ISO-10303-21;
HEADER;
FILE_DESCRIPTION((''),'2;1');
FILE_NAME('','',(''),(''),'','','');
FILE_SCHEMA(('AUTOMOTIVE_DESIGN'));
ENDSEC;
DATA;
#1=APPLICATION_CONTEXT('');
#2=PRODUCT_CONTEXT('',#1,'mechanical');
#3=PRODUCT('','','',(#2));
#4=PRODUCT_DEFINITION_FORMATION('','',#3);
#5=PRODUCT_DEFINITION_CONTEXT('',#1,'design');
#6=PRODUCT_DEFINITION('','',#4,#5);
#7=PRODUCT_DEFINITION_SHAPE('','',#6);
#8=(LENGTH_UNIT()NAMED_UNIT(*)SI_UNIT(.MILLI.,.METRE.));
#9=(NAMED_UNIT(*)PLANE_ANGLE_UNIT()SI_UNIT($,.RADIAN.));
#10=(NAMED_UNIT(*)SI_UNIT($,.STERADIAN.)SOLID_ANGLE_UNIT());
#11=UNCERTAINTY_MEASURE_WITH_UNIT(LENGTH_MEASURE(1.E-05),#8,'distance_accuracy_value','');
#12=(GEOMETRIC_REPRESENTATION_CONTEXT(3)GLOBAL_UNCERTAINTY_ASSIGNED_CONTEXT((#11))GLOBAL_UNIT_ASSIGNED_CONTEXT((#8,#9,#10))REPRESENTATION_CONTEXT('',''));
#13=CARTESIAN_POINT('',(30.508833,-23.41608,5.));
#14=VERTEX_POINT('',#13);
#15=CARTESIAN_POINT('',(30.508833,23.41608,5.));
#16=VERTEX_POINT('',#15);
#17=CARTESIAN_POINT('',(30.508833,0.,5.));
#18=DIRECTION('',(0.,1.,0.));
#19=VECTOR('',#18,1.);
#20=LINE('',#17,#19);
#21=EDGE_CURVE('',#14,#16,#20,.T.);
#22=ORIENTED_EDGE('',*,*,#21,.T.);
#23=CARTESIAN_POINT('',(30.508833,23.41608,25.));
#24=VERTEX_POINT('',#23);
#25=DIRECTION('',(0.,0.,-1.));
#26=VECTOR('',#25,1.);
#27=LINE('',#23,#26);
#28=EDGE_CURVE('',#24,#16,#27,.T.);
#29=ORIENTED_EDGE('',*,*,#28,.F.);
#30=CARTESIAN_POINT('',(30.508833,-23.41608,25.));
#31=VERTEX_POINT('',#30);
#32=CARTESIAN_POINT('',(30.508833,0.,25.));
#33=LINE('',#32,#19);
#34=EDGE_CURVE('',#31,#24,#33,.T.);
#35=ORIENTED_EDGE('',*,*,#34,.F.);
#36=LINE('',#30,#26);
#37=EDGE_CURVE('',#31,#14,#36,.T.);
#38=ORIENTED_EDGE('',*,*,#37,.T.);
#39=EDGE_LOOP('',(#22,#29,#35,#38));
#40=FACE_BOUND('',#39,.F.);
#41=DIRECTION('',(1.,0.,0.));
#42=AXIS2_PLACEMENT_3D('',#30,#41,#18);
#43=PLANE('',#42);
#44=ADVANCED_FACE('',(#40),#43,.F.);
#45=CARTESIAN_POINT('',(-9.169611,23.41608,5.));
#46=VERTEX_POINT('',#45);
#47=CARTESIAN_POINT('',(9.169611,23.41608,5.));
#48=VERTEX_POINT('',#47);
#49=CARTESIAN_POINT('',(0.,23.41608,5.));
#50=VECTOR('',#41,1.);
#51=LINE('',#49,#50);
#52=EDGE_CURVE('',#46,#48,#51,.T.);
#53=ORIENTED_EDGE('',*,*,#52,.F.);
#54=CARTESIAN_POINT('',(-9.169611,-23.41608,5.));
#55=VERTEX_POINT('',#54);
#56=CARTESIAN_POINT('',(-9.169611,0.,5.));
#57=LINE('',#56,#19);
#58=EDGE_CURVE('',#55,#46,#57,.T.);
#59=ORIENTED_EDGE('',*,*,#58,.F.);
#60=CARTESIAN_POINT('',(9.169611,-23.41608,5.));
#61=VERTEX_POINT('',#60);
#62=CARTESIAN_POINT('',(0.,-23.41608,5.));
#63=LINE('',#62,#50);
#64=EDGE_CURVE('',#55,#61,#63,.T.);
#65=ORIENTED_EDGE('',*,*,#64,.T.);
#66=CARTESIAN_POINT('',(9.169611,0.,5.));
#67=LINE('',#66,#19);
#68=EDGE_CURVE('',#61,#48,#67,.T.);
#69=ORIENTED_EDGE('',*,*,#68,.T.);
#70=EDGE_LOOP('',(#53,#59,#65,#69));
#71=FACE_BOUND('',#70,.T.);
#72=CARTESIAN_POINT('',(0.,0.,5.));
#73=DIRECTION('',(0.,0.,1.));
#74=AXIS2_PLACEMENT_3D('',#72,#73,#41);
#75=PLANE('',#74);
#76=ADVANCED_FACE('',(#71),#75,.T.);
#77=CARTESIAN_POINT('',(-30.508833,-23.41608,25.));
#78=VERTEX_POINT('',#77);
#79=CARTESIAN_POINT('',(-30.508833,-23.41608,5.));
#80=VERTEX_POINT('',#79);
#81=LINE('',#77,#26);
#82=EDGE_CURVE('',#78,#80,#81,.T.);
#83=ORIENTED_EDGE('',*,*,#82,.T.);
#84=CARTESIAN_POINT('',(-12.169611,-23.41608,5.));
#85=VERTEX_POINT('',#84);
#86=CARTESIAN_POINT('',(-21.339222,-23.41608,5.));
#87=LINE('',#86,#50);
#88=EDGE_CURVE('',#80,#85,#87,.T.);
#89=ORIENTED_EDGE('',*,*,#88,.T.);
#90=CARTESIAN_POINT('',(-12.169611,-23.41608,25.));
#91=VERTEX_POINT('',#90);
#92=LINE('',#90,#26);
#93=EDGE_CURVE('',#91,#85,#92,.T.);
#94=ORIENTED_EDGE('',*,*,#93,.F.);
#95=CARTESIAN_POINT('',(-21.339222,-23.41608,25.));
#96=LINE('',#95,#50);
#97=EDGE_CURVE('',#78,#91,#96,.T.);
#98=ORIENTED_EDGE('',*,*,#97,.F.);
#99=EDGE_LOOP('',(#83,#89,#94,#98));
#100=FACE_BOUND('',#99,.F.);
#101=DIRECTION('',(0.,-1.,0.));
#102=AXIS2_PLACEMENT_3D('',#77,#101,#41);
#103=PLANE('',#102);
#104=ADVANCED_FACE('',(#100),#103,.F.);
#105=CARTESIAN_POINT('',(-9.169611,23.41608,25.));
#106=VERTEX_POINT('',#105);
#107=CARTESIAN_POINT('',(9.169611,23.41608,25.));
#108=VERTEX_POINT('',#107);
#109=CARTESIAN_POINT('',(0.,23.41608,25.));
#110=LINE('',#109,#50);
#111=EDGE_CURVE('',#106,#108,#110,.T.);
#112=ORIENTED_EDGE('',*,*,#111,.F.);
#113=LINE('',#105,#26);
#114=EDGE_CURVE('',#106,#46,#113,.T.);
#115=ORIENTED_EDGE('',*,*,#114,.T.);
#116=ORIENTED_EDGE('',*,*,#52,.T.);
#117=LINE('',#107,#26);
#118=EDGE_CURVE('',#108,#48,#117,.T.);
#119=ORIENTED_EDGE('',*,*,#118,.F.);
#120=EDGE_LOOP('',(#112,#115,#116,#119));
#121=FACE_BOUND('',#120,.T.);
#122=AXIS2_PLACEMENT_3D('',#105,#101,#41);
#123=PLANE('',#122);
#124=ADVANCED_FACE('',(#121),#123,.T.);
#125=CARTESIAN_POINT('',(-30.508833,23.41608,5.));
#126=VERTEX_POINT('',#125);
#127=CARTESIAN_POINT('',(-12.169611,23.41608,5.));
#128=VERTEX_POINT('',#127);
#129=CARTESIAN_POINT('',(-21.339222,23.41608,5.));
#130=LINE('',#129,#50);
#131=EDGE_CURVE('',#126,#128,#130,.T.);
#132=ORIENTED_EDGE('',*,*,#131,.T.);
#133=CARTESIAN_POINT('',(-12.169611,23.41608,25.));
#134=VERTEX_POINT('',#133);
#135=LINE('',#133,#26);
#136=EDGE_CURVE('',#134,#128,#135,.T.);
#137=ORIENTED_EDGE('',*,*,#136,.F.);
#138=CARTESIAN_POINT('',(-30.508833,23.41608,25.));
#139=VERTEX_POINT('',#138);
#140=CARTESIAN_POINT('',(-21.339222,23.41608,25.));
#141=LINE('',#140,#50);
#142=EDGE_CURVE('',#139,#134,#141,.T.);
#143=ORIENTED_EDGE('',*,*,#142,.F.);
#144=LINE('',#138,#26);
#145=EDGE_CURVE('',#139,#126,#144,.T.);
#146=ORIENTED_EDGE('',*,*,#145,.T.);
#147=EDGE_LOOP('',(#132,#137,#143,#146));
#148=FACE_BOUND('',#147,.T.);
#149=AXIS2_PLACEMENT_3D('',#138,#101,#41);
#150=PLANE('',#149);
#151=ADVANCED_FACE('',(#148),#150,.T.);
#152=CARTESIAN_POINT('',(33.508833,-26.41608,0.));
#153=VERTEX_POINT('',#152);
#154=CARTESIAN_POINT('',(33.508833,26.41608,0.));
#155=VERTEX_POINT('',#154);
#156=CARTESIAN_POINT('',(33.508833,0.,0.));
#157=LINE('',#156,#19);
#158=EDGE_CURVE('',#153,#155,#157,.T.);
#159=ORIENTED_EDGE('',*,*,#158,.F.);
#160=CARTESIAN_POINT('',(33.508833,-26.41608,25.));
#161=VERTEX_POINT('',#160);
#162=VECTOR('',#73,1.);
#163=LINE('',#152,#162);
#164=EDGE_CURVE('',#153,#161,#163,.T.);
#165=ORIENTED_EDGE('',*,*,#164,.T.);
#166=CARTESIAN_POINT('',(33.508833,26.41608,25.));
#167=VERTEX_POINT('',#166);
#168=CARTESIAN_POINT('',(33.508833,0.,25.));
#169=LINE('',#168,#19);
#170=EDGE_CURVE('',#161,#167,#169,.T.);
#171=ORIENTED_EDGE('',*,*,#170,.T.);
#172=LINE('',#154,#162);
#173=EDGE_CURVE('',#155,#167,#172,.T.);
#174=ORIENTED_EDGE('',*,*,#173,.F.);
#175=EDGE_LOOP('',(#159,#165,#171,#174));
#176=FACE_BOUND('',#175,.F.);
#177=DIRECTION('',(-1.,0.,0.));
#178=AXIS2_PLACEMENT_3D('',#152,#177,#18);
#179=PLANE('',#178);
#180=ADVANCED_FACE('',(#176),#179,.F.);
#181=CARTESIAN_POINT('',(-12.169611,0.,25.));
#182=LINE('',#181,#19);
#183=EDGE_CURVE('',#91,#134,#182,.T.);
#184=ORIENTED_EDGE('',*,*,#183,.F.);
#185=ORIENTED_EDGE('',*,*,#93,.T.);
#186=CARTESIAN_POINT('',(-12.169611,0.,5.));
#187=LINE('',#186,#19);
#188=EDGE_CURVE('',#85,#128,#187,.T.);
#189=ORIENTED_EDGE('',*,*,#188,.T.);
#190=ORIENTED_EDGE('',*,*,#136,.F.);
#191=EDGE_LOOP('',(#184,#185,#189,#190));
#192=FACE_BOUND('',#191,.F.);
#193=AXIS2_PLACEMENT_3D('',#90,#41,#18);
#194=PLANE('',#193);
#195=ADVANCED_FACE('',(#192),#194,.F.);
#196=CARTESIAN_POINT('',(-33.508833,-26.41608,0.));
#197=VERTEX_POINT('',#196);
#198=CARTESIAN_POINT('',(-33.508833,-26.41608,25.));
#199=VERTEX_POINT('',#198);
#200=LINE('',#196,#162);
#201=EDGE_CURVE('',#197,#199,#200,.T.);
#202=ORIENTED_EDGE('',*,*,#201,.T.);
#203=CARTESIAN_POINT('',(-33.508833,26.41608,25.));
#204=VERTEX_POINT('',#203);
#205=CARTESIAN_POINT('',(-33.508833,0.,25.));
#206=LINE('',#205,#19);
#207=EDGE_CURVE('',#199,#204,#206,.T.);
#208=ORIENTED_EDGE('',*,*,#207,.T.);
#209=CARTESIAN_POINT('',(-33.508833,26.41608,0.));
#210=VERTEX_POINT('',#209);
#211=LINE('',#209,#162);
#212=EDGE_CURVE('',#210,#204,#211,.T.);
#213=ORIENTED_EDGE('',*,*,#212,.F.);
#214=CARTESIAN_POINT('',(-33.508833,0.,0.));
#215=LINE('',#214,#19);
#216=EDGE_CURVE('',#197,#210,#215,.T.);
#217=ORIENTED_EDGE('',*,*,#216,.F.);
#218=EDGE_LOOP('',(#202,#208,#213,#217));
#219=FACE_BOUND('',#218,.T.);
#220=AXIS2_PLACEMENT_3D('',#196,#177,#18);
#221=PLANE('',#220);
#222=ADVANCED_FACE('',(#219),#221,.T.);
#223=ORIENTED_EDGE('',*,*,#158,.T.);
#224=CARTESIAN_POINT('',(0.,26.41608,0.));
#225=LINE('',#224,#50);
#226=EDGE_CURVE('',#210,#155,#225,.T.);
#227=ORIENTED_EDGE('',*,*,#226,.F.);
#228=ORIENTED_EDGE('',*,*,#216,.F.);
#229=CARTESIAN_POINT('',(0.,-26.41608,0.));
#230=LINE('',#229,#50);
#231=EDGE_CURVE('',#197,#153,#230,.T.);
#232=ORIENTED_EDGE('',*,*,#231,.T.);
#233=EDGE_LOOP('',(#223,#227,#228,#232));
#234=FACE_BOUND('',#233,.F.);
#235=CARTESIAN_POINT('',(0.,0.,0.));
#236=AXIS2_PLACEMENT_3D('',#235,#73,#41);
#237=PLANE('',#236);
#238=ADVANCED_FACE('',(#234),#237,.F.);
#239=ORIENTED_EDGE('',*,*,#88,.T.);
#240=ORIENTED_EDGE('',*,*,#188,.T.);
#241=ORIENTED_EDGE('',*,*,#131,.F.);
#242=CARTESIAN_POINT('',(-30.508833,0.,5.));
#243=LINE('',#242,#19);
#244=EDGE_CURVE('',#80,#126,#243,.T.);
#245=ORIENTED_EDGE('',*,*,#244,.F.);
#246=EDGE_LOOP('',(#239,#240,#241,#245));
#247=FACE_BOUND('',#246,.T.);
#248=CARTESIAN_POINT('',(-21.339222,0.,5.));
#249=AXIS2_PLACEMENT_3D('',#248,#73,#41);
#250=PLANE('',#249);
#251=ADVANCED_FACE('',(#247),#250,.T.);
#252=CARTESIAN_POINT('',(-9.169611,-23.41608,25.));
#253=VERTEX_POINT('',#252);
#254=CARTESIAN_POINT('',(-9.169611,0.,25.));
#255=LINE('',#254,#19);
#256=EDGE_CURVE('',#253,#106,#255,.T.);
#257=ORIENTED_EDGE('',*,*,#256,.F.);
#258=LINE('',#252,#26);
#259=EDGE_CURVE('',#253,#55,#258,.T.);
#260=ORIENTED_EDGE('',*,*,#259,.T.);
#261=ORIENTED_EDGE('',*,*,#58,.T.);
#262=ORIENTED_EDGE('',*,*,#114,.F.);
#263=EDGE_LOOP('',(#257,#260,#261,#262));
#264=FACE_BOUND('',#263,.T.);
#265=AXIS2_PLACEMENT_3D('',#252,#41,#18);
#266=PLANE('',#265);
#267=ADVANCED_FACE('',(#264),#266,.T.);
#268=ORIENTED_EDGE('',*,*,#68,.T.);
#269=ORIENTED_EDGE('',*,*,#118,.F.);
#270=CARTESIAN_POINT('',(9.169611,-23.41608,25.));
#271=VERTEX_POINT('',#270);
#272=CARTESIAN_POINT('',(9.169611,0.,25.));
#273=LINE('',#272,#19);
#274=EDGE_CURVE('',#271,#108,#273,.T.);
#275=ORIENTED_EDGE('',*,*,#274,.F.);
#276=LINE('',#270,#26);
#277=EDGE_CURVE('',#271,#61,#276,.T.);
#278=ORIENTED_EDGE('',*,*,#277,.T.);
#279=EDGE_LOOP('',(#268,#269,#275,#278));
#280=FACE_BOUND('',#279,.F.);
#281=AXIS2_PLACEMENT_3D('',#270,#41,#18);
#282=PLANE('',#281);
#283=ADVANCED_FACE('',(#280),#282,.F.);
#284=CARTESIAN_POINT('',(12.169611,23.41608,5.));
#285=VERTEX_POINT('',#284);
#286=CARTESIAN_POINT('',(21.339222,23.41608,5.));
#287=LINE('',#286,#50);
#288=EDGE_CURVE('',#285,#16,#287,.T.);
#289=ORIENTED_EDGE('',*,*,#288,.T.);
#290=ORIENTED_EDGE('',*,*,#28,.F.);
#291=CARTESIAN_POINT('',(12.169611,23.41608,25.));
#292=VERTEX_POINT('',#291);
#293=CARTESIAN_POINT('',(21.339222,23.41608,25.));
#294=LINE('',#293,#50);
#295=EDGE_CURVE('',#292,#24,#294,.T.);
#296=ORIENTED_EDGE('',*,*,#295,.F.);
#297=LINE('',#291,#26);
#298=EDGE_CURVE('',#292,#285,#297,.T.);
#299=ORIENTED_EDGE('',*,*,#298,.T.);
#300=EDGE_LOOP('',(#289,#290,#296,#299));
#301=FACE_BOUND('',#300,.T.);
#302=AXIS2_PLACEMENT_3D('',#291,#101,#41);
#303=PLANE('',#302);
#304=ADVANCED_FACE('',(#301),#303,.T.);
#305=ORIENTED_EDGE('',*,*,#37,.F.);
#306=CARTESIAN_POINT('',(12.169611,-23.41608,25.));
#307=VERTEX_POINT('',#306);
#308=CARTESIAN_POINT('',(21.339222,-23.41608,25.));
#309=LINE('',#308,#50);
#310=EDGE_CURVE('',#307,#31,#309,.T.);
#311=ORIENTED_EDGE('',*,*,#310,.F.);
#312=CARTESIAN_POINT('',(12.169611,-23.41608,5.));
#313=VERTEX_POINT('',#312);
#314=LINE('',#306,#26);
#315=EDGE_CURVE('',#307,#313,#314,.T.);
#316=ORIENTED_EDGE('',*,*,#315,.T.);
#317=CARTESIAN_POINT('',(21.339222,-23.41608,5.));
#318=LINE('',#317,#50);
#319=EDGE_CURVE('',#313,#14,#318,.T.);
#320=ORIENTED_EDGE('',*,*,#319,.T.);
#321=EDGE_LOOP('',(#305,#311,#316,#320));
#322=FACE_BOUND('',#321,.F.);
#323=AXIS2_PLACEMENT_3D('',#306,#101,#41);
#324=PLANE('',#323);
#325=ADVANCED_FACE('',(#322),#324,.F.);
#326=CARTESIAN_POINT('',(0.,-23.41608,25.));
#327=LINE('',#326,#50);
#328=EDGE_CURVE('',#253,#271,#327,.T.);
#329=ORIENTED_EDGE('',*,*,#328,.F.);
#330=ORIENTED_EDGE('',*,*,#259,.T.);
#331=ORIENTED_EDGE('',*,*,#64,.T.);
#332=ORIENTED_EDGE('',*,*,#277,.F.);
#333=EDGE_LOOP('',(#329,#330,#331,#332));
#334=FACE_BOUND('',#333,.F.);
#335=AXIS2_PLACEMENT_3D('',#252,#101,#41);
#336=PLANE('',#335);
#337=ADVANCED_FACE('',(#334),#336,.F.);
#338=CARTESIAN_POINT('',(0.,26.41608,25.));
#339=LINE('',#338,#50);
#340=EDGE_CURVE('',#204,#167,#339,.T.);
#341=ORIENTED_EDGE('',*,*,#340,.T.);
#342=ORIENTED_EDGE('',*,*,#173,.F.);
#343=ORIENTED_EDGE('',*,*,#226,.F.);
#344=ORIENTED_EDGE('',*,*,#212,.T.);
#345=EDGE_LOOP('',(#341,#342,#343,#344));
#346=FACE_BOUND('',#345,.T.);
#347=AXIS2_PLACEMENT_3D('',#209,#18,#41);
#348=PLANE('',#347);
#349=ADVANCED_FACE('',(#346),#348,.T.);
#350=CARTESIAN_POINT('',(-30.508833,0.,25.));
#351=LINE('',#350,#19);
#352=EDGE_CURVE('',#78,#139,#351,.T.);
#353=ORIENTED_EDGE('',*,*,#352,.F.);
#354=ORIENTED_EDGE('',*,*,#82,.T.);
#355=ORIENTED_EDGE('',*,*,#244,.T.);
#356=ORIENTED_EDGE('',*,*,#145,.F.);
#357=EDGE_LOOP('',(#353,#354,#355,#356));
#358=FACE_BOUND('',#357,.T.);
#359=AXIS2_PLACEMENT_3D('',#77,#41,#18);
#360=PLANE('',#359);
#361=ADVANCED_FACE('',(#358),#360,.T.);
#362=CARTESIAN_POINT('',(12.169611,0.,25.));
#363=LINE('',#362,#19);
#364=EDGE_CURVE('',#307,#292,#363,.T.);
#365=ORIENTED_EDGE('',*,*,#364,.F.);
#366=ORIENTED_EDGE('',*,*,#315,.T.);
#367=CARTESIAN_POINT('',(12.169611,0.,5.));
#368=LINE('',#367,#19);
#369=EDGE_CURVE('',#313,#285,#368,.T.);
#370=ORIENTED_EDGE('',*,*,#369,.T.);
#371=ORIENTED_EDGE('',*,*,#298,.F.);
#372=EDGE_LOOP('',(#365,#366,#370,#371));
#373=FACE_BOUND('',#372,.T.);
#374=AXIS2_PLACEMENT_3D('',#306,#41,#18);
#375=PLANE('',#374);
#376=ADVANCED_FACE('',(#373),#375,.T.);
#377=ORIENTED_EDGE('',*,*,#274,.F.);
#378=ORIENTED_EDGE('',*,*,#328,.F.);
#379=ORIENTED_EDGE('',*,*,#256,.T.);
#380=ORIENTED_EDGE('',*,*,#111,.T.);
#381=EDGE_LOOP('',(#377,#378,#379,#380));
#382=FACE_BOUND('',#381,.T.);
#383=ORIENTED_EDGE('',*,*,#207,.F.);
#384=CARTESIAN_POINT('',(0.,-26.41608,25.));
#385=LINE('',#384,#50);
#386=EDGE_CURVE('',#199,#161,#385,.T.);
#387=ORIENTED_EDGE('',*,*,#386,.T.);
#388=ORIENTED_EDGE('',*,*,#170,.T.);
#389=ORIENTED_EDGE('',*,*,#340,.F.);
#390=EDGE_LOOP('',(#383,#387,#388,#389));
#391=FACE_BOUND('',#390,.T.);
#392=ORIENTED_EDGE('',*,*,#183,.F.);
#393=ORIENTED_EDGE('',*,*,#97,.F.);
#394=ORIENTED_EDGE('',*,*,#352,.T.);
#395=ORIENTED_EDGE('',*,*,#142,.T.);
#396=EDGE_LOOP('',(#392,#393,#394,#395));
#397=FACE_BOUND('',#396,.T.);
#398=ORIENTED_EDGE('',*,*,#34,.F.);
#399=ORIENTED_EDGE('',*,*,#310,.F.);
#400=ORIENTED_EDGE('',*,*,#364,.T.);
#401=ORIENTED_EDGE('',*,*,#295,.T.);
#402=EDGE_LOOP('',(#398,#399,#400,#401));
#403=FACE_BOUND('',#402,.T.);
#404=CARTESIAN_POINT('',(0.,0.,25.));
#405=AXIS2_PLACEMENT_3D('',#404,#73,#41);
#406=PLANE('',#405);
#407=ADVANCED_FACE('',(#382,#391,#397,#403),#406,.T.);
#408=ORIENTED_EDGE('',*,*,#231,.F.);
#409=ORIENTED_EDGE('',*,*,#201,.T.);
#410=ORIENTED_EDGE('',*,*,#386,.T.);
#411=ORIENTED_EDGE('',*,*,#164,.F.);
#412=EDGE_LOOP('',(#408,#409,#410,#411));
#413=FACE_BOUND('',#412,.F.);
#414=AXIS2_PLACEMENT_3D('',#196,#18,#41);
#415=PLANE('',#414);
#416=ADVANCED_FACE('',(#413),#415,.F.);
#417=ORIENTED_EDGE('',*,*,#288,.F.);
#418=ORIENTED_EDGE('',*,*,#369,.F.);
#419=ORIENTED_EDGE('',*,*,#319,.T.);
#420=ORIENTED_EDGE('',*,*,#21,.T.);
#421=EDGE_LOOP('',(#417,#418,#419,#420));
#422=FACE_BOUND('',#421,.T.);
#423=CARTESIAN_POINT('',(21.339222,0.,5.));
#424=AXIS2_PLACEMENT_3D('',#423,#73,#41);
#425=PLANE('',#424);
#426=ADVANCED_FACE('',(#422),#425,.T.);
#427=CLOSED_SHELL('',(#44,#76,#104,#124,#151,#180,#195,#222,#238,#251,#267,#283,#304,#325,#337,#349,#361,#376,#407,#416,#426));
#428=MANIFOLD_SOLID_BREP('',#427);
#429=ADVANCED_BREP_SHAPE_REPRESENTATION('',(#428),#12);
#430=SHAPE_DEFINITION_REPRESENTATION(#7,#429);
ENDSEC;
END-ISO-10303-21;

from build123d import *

# Parameters (mm, degrees)
F0_W     = 67.017666
F0_H     = 52.83216
F1_DEPTH = 25
F2_W     = 18.339222
F2_H     = 46.83216
F3_DEPTH = 20


with BuildPart() as f1:
    # F0 (on Top) → F1 (new body)
    with BuildSketch(Plane.XY):
        Rectangle(F0_W, F0_H)
    extrude(amount=F1_DEPTH)

    # F2 (on face) → F3 (cut)
    with BuildSketch(Plane.XY.offset(25)):
        with Locations((-21.339222, 0)):
            Rectangle(F2_W, F2_H)
        Rectangle(F2_W, F2_H)
        with Locations((21.339222, 0)):
            Rectangle(F2_W, F2_H)
    extrude(amount=-F3_DEPTH, mode=Mode.SUBTRACT)


solid = f1.part
